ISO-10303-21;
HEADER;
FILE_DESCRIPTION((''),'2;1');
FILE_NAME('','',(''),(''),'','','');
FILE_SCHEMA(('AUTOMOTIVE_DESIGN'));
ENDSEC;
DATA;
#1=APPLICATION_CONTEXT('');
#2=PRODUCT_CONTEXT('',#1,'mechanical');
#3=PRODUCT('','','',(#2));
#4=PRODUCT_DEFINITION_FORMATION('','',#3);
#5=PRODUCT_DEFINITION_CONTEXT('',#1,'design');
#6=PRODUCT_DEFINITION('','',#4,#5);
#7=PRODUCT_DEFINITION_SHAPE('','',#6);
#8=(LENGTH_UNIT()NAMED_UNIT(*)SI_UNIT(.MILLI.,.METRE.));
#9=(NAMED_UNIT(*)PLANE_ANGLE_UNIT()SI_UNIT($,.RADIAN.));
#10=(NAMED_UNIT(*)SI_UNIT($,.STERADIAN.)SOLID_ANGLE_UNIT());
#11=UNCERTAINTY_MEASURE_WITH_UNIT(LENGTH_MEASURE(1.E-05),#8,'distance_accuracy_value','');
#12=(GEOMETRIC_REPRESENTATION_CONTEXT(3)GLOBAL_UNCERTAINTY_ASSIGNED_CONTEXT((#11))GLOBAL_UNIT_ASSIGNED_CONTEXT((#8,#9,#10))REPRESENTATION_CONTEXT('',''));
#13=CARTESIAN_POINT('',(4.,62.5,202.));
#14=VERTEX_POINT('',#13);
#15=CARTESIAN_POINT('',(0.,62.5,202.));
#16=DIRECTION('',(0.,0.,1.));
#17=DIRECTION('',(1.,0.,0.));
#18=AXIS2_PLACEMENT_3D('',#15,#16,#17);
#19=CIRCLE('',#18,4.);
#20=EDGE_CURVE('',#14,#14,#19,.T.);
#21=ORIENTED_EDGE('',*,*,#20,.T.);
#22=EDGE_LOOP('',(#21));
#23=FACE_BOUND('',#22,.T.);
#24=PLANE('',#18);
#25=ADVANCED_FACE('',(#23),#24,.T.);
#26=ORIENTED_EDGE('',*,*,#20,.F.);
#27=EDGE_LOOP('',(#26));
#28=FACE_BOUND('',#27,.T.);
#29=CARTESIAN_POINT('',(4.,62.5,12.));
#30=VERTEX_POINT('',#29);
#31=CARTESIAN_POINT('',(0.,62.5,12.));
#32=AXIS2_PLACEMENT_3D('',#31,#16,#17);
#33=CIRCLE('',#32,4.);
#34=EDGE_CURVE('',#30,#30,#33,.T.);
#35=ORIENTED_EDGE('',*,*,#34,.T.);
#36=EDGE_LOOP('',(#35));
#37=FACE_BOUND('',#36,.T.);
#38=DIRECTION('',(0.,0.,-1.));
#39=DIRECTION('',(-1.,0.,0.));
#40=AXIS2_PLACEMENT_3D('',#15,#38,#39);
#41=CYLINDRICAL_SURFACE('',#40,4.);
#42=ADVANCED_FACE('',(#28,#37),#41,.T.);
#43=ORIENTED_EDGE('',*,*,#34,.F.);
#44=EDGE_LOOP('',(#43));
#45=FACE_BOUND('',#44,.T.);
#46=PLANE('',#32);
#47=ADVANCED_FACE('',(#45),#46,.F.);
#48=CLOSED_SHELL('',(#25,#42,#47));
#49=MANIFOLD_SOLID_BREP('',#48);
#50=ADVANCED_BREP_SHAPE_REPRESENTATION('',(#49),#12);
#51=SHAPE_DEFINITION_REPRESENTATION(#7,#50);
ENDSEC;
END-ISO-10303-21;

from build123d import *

# Parameters (mm, degrees)
SKETCH_2_R      = 4
EXTRUDE_2_DEPTH = 190


with BuildPart() as part:
    # ｽｹｯﾁ2 → ﾎﾞｽ - 押し出し2 (new body)
    with BuildSketch(Plane.XY.offset(12)):
        with Locations((0, 62.5)):
            Circle(SKETCH_2_R)
    extrude(amount=EXTRUDE_2_DEPTH)


solid = part.part
